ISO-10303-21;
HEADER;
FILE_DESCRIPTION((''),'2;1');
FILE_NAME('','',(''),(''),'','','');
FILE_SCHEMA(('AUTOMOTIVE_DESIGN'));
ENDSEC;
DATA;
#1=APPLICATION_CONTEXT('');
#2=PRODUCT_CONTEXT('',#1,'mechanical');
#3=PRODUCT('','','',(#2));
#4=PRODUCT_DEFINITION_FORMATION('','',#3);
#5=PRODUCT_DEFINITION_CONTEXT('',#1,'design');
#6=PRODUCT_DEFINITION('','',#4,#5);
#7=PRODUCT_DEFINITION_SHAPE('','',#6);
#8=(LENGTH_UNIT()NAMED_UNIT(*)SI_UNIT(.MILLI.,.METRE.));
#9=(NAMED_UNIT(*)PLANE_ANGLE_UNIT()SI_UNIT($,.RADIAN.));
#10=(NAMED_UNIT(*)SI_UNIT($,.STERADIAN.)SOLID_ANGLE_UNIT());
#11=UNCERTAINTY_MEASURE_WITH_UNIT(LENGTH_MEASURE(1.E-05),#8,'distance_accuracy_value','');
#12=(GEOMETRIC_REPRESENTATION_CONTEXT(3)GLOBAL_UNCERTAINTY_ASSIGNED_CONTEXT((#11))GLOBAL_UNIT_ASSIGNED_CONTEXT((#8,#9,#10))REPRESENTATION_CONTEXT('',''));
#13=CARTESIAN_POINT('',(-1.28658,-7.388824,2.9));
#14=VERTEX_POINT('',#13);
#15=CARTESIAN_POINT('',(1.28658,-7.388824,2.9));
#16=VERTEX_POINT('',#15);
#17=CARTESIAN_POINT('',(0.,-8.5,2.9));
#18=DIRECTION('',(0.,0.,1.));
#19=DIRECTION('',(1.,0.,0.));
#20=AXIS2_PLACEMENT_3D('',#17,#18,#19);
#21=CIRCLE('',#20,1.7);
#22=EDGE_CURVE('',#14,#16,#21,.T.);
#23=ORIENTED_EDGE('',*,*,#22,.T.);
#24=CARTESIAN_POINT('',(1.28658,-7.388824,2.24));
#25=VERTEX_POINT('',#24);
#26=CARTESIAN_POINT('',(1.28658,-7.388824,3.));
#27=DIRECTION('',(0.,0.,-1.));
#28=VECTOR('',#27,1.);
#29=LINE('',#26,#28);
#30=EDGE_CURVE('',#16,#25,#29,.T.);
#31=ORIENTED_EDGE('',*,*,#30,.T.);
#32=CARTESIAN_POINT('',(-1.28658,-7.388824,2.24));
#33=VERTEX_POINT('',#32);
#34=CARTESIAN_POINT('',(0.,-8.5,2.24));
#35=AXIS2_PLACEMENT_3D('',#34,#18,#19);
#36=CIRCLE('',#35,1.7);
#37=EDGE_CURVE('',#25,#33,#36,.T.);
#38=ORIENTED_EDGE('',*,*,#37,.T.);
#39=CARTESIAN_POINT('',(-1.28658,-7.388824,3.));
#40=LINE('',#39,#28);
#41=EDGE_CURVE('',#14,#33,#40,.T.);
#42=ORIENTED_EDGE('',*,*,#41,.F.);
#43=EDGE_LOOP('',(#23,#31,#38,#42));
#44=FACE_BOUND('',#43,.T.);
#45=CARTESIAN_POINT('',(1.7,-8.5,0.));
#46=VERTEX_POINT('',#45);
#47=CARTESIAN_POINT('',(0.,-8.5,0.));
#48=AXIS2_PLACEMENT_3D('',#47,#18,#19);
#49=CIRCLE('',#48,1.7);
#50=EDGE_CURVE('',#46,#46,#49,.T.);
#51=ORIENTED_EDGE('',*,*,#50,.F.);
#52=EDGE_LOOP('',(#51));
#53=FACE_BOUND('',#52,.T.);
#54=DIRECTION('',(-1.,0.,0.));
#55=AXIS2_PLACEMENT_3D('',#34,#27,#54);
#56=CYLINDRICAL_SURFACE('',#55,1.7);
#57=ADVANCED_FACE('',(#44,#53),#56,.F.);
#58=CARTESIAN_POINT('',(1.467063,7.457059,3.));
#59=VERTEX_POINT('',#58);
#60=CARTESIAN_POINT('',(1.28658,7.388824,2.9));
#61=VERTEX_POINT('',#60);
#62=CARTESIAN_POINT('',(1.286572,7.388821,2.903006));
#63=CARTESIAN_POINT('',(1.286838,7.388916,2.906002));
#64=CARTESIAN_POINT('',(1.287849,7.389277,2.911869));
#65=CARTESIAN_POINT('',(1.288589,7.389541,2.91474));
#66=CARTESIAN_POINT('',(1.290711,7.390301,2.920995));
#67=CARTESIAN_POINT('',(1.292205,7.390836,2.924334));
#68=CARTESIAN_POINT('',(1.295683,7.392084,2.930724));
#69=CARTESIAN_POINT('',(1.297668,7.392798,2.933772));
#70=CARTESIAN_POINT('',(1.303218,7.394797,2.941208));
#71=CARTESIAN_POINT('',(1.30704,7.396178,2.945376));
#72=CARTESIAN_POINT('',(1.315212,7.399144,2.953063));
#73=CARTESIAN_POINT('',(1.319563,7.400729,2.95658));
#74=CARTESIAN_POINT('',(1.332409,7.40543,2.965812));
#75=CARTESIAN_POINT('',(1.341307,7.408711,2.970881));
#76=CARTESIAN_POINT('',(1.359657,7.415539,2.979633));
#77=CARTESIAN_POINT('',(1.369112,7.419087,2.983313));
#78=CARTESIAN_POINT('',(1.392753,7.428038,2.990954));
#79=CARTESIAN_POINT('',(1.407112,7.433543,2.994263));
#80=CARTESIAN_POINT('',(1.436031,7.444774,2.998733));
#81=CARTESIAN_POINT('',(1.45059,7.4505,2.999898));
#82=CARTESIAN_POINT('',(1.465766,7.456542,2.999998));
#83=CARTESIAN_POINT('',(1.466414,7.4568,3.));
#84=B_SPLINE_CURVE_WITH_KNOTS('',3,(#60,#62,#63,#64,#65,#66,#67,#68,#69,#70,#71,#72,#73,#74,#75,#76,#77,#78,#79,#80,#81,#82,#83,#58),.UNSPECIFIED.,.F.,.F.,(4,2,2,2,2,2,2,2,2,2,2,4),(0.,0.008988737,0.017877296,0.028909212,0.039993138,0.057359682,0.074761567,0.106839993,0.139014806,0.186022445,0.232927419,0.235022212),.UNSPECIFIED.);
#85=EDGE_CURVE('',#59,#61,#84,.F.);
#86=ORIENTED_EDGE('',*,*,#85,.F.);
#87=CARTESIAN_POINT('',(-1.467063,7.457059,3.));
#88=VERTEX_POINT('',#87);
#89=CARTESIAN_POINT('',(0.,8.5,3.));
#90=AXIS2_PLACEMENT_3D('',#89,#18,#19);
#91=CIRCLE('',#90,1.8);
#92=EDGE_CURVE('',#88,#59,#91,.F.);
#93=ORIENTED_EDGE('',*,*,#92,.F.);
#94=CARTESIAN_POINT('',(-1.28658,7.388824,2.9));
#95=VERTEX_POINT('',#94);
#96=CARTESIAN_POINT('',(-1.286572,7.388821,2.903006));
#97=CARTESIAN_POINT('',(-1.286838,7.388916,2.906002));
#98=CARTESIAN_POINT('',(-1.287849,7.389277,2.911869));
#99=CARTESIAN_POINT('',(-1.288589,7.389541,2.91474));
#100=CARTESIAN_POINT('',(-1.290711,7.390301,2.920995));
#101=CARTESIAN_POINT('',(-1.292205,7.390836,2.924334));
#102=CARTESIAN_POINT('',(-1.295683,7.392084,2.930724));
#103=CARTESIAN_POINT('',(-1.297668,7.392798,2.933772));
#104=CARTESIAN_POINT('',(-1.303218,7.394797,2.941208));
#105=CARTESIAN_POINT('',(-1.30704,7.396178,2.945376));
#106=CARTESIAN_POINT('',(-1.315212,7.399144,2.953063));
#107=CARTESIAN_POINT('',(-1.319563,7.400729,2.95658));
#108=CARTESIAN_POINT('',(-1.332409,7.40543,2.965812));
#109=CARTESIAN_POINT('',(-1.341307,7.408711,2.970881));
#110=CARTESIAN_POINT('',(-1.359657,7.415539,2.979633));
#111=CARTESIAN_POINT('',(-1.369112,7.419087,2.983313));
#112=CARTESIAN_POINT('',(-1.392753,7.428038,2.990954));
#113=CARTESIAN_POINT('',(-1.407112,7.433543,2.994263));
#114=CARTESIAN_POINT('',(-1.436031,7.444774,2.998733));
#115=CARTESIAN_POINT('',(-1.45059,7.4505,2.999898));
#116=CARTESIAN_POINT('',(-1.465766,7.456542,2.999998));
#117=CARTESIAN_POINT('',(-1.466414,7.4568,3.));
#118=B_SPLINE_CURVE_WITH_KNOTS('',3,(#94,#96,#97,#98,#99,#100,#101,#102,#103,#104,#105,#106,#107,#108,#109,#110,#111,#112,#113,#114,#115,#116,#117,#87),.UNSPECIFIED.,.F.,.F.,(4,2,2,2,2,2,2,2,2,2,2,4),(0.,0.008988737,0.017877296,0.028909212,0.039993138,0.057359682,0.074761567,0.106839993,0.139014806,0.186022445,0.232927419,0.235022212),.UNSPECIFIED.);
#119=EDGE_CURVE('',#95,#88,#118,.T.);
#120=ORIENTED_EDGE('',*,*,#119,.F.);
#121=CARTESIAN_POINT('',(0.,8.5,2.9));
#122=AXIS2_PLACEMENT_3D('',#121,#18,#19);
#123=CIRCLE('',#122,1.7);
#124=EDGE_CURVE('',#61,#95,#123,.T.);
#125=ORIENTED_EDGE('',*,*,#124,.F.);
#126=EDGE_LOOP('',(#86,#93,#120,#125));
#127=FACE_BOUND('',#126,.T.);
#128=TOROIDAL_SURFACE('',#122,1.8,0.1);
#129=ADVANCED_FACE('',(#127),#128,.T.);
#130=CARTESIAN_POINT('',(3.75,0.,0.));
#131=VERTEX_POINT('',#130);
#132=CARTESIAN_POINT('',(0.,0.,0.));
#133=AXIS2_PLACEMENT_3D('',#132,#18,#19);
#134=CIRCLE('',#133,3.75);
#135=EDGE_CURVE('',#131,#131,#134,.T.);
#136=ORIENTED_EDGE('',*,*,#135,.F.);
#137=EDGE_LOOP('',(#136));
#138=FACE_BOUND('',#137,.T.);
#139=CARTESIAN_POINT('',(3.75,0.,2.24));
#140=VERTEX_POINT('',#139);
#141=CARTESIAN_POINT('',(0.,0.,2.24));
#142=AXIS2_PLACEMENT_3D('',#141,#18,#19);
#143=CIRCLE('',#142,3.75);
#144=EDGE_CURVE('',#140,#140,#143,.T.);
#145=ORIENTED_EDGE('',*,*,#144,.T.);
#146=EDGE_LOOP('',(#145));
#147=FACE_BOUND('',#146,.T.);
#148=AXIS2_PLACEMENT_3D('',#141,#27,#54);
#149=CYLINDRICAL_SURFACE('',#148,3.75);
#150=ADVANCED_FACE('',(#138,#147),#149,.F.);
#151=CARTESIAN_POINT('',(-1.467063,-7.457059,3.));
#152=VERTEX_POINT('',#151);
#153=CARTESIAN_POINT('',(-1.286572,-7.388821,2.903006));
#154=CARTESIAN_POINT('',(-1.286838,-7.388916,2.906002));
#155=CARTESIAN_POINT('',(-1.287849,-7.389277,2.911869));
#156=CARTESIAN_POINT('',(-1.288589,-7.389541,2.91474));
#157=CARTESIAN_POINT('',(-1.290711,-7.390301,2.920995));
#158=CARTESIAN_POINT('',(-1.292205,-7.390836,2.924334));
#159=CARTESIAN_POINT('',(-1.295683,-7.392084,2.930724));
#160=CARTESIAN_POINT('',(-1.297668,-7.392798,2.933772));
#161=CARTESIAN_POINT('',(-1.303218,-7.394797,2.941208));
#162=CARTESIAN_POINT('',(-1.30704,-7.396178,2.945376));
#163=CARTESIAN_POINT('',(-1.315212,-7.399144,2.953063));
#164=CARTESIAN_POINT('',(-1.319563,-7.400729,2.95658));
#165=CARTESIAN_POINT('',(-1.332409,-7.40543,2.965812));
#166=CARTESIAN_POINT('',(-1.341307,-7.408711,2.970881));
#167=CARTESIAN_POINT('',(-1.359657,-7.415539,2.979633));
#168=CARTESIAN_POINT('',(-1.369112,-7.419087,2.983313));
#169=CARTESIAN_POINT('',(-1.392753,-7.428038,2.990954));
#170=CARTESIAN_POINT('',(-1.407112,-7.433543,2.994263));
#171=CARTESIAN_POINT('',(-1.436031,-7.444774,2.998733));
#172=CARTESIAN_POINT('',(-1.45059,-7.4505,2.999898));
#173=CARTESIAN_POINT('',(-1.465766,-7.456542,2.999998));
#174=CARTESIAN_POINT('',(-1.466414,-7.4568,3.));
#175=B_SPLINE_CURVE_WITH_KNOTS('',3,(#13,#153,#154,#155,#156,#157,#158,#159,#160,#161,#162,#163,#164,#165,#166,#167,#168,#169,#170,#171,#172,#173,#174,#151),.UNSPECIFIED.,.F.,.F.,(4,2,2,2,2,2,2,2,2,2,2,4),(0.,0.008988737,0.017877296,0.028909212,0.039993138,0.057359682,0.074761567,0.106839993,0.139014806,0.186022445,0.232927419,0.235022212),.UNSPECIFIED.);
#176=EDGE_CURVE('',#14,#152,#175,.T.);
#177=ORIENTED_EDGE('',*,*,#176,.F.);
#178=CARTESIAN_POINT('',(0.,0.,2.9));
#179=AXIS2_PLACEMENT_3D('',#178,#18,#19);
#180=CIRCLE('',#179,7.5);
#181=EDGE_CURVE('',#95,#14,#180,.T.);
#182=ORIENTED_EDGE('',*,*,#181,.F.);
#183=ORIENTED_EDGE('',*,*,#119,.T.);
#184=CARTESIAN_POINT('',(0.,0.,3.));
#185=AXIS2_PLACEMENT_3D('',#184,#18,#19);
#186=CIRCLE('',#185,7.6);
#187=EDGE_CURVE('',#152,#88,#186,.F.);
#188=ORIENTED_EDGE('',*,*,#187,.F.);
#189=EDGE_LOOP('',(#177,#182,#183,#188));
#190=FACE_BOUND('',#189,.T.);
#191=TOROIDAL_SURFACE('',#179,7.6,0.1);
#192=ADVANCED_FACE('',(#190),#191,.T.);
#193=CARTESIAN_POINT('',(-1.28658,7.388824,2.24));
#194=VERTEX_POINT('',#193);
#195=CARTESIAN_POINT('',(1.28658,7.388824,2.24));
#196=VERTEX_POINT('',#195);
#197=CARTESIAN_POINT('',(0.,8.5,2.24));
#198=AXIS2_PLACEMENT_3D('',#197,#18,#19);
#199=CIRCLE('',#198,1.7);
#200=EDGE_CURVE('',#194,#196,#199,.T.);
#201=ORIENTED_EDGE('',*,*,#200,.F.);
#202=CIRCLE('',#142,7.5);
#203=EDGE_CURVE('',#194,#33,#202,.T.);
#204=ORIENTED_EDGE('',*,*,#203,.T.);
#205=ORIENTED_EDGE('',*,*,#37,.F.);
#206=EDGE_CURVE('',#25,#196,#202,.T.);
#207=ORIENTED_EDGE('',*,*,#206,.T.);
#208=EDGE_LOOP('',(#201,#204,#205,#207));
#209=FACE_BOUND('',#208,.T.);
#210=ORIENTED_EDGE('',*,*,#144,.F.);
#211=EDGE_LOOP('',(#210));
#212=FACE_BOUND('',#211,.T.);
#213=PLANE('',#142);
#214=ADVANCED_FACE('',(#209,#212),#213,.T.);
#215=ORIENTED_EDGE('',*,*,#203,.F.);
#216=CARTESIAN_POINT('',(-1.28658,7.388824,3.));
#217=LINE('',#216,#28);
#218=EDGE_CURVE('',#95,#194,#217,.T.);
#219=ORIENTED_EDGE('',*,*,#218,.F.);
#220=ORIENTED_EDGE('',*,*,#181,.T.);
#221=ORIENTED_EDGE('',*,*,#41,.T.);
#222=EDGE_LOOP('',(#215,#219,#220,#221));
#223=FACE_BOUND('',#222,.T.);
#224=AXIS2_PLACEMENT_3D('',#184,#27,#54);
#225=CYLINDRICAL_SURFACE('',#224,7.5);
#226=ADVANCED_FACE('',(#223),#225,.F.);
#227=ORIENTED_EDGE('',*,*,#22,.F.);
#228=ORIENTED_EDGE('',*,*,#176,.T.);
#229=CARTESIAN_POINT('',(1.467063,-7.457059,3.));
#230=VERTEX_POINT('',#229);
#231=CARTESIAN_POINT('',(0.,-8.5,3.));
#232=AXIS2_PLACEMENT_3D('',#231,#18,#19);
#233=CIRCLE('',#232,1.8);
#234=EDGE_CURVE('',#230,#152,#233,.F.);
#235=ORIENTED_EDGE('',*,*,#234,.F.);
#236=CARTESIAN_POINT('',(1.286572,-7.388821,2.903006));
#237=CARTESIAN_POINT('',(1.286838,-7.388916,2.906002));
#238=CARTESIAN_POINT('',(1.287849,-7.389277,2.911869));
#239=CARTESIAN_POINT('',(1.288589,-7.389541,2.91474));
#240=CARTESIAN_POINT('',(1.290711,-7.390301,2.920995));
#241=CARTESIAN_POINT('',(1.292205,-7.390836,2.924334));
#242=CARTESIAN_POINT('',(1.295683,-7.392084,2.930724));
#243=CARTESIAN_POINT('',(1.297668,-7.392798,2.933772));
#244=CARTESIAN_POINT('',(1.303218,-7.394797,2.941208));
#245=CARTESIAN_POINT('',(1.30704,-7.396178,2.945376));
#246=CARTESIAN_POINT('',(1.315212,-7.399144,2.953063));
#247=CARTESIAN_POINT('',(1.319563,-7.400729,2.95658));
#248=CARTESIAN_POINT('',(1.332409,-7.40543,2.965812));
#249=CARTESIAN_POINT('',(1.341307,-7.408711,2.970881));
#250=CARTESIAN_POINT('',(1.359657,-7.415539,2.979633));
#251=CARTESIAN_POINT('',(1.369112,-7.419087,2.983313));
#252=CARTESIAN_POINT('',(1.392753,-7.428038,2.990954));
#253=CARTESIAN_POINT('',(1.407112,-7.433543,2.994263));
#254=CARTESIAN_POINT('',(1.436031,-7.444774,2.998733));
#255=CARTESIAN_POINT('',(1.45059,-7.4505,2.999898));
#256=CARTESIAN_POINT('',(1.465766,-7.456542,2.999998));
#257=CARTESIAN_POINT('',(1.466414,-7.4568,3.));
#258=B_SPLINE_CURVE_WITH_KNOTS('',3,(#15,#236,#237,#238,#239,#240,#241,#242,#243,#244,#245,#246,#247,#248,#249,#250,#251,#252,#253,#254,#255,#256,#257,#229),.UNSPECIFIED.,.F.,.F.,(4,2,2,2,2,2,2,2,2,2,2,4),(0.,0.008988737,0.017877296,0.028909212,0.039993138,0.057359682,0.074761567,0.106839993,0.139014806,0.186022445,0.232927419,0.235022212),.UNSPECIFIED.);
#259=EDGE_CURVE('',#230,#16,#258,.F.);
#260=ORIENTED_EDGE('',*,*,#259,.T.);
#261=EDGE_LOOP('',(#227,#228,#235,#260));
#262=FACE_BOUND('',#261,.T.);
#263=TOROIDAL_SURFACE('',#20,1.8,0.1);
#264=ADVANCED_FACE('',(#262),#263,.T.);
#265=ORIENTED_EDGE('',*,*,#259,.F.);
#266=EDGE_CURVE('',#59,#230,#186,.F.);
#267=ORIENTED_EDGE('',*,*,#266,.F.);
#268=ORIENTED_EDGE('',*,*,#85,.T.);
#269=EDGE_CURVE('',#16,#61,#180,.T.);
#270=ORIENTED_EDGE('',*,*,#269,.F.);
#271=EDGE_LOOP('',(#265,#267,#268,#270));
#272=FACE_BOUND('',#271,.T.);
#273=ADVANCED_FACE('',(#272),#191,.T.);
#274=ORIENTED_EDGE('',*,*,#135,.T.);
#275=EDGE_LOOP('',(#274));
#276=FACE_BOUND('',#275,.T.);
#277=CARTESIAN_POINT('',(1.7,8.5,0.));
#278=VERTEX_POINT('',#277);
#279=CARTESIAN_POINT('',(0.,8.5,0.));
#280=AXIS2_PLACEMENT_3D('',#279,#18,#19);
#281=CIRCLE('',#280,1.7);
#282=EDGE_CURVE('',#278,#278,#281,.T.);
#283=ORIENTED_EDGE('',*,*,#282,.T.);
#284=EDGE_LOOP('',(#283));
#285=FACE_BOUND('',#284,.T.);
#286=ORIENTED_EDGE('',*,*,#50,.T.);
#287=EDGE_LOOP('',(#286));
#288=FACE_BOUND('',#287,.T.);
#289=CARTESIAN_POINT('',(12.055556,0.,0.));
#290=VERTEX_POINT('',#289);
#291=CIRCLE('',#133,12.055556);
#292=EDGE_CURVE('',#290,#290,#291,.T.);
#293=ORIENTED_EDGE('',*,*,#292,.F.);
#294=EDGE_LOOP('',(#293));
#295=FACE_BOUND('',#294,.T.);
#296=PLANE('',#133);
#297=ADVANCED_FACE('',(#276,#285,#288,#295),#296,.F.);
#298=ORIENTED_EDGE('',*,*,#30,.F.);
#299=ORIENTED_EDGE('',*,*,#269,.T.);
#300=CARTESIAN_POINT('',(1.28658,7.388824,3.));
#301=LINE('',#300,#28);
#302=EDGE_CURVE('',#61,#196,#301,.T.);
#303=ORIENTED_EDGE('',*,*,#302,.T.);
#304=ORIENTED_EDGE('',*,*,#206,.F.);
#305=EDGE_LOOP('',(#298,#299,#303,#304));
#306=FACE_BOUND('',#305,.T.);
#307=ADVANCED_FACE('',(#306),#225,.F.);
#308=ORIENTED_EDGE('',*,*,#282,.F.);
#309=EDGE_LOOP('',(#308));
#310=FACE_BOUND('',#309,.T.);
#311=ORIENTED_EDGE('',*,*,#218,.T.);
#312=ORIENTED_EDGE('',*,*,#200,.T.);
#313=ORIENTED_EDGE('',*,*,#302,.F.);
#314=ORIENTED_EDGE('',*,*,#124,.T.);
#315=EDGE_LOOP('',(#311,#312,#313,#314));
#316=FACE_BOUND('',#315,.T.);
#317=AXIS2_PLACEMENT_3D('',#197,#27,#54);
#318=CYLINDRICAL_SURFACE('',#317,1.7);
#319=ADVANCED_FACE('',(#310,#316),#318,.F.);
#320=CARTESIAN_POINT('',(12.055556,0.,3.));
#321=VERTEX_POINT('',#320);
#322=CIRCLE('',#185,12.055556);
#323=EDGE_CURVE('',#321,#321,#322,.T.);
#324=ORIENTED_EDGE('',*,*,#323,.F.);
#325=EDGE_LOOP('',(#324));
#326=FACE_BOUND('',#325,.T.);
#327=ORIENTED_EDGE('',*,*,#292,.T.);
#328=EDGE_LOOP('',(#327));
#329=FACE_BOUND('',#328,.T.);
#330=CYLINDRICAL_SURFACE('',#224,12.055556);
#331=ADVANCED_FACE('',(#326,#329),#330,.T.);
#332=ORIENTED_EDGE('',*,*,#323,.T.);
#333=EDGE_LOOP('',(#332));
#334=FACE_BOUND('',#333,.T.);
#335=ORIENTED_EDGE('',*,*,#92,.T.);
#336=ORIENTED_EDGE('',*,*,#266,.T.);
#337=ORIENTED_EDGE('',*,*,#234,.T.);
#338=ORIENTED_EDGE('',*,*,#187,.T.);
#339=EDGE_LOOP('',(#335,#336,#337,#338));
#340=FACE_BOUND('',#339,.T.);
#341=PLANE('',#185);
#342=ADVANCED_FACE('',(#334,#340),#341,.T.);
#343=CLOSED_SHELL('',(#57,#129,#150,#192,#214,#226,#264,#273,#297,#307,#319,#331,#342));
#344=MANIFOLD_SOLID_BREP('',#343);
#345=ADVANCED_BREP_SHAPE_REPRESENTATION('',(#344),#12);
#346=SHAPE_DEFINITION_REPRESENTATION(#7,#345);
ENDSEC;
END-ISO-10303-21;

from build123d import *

# Parameters (mm, degrees)
ESBO_O2_R                = 3.75
RESSALTO_EXTRUS_O6_DEPTH = 2.24
ESBO_O2_6_R              = 12.055555556
RESSALTO_EXTRUS_O7_DEPTH = 3
FILETE3_R                = 0.1


with BuildPart() as part:
    # Esboço2 → Ressalto-extrusão6 (new body)
    with BuildSketch(Plane.XY):
        with BuildLine():
            ThreePointArc((-1.286579516, 7.388823529), (-6.144565705, 4.3005014), (-7.382691193, -1.321314024))
            ThreePointArc((-7.382691193, -1.321314024), (-5.290815774, -5.31575662), (-1.286579516, -7.388823529))
            ThreePointArc((-1.286579516, -7.388823529), (0, -6.8), (1.286579516, -7.388823529))
            ThreePointArc((1.286579516, -7.388823529), (6.144565705, -4.3005014), (7.382691193, 1.321314024))
            ThreePointArc((7.382691193, 1.321314024), (5.290815774, 5.31575662), (1.286579516, 7.388823529))
            ThreePointArc((1.286579516, 7.388823529), (0, 6.8), (-1.286579516, 7.388823529))
        make_face()
        Circle(ESBO_O2_R, mode=Mode.SUBTRACT)
    extrude(amount=RESSALTO_EXTRUS_O6_DEPTH)

    # Esboço2<6> → Ressalto-extrusão7 (add)
    with BuildSketch(Plane.XY):
        Circle(ESBO_O2_6_R)
        with BuildLine():
            ThreePointArc((-1.286579516, -7.388823529), (-5.290815774, -5.31575662), (-7.382691193, -1.321314024))
            ThreePointArc((-7.382691193, -1.321314024), (-6.144565705, 4.3005014), (-1.286579516, 7.388823529))
            ThreePointArc((-1.286579516, 7.388823529), (-0.592796265, 10.09329614), (1.7, 8.5))
            ThreePointArc((1.7, 8.5), (1.59329614, 7.907203735), (1.286579516, 7.388823529))
            ThreePointArc((1.286579516, 7.388823529), (5.290815774, 5.31575662), (7.382691193, 1.321314024))
            ThreePointArc((7.382691193, 1.321314024), (6.144565705, -4.3005014), (1.286579516, -7.388823529))
            ThreePointArc((1.286579516, -7.388823529), (1.59329614, -7.907203735), (1.7, -8.5))
            ThreePointArc((1.7, -8.5), (-0.592796265, -10.09329614), (-1.286579516, -7.388823529))
        make_face(mode=Mode.SUBTRACT)
    extrude(amount=RESSALTO_EXTRUS_O7_DEPTH)

    # Filete3
    filete3_edges = [part.edges().sort_by_distance(p)[0] for p in [
        (7.5, 0, 3),
        (-7.5, 0, 3),
        (-0.592796265, 10.09329614, 3),
        (0, -10.2, 3),
    ]]
    fillet(filete3_edges, radius=FILETE3_R)


solid = part.part
